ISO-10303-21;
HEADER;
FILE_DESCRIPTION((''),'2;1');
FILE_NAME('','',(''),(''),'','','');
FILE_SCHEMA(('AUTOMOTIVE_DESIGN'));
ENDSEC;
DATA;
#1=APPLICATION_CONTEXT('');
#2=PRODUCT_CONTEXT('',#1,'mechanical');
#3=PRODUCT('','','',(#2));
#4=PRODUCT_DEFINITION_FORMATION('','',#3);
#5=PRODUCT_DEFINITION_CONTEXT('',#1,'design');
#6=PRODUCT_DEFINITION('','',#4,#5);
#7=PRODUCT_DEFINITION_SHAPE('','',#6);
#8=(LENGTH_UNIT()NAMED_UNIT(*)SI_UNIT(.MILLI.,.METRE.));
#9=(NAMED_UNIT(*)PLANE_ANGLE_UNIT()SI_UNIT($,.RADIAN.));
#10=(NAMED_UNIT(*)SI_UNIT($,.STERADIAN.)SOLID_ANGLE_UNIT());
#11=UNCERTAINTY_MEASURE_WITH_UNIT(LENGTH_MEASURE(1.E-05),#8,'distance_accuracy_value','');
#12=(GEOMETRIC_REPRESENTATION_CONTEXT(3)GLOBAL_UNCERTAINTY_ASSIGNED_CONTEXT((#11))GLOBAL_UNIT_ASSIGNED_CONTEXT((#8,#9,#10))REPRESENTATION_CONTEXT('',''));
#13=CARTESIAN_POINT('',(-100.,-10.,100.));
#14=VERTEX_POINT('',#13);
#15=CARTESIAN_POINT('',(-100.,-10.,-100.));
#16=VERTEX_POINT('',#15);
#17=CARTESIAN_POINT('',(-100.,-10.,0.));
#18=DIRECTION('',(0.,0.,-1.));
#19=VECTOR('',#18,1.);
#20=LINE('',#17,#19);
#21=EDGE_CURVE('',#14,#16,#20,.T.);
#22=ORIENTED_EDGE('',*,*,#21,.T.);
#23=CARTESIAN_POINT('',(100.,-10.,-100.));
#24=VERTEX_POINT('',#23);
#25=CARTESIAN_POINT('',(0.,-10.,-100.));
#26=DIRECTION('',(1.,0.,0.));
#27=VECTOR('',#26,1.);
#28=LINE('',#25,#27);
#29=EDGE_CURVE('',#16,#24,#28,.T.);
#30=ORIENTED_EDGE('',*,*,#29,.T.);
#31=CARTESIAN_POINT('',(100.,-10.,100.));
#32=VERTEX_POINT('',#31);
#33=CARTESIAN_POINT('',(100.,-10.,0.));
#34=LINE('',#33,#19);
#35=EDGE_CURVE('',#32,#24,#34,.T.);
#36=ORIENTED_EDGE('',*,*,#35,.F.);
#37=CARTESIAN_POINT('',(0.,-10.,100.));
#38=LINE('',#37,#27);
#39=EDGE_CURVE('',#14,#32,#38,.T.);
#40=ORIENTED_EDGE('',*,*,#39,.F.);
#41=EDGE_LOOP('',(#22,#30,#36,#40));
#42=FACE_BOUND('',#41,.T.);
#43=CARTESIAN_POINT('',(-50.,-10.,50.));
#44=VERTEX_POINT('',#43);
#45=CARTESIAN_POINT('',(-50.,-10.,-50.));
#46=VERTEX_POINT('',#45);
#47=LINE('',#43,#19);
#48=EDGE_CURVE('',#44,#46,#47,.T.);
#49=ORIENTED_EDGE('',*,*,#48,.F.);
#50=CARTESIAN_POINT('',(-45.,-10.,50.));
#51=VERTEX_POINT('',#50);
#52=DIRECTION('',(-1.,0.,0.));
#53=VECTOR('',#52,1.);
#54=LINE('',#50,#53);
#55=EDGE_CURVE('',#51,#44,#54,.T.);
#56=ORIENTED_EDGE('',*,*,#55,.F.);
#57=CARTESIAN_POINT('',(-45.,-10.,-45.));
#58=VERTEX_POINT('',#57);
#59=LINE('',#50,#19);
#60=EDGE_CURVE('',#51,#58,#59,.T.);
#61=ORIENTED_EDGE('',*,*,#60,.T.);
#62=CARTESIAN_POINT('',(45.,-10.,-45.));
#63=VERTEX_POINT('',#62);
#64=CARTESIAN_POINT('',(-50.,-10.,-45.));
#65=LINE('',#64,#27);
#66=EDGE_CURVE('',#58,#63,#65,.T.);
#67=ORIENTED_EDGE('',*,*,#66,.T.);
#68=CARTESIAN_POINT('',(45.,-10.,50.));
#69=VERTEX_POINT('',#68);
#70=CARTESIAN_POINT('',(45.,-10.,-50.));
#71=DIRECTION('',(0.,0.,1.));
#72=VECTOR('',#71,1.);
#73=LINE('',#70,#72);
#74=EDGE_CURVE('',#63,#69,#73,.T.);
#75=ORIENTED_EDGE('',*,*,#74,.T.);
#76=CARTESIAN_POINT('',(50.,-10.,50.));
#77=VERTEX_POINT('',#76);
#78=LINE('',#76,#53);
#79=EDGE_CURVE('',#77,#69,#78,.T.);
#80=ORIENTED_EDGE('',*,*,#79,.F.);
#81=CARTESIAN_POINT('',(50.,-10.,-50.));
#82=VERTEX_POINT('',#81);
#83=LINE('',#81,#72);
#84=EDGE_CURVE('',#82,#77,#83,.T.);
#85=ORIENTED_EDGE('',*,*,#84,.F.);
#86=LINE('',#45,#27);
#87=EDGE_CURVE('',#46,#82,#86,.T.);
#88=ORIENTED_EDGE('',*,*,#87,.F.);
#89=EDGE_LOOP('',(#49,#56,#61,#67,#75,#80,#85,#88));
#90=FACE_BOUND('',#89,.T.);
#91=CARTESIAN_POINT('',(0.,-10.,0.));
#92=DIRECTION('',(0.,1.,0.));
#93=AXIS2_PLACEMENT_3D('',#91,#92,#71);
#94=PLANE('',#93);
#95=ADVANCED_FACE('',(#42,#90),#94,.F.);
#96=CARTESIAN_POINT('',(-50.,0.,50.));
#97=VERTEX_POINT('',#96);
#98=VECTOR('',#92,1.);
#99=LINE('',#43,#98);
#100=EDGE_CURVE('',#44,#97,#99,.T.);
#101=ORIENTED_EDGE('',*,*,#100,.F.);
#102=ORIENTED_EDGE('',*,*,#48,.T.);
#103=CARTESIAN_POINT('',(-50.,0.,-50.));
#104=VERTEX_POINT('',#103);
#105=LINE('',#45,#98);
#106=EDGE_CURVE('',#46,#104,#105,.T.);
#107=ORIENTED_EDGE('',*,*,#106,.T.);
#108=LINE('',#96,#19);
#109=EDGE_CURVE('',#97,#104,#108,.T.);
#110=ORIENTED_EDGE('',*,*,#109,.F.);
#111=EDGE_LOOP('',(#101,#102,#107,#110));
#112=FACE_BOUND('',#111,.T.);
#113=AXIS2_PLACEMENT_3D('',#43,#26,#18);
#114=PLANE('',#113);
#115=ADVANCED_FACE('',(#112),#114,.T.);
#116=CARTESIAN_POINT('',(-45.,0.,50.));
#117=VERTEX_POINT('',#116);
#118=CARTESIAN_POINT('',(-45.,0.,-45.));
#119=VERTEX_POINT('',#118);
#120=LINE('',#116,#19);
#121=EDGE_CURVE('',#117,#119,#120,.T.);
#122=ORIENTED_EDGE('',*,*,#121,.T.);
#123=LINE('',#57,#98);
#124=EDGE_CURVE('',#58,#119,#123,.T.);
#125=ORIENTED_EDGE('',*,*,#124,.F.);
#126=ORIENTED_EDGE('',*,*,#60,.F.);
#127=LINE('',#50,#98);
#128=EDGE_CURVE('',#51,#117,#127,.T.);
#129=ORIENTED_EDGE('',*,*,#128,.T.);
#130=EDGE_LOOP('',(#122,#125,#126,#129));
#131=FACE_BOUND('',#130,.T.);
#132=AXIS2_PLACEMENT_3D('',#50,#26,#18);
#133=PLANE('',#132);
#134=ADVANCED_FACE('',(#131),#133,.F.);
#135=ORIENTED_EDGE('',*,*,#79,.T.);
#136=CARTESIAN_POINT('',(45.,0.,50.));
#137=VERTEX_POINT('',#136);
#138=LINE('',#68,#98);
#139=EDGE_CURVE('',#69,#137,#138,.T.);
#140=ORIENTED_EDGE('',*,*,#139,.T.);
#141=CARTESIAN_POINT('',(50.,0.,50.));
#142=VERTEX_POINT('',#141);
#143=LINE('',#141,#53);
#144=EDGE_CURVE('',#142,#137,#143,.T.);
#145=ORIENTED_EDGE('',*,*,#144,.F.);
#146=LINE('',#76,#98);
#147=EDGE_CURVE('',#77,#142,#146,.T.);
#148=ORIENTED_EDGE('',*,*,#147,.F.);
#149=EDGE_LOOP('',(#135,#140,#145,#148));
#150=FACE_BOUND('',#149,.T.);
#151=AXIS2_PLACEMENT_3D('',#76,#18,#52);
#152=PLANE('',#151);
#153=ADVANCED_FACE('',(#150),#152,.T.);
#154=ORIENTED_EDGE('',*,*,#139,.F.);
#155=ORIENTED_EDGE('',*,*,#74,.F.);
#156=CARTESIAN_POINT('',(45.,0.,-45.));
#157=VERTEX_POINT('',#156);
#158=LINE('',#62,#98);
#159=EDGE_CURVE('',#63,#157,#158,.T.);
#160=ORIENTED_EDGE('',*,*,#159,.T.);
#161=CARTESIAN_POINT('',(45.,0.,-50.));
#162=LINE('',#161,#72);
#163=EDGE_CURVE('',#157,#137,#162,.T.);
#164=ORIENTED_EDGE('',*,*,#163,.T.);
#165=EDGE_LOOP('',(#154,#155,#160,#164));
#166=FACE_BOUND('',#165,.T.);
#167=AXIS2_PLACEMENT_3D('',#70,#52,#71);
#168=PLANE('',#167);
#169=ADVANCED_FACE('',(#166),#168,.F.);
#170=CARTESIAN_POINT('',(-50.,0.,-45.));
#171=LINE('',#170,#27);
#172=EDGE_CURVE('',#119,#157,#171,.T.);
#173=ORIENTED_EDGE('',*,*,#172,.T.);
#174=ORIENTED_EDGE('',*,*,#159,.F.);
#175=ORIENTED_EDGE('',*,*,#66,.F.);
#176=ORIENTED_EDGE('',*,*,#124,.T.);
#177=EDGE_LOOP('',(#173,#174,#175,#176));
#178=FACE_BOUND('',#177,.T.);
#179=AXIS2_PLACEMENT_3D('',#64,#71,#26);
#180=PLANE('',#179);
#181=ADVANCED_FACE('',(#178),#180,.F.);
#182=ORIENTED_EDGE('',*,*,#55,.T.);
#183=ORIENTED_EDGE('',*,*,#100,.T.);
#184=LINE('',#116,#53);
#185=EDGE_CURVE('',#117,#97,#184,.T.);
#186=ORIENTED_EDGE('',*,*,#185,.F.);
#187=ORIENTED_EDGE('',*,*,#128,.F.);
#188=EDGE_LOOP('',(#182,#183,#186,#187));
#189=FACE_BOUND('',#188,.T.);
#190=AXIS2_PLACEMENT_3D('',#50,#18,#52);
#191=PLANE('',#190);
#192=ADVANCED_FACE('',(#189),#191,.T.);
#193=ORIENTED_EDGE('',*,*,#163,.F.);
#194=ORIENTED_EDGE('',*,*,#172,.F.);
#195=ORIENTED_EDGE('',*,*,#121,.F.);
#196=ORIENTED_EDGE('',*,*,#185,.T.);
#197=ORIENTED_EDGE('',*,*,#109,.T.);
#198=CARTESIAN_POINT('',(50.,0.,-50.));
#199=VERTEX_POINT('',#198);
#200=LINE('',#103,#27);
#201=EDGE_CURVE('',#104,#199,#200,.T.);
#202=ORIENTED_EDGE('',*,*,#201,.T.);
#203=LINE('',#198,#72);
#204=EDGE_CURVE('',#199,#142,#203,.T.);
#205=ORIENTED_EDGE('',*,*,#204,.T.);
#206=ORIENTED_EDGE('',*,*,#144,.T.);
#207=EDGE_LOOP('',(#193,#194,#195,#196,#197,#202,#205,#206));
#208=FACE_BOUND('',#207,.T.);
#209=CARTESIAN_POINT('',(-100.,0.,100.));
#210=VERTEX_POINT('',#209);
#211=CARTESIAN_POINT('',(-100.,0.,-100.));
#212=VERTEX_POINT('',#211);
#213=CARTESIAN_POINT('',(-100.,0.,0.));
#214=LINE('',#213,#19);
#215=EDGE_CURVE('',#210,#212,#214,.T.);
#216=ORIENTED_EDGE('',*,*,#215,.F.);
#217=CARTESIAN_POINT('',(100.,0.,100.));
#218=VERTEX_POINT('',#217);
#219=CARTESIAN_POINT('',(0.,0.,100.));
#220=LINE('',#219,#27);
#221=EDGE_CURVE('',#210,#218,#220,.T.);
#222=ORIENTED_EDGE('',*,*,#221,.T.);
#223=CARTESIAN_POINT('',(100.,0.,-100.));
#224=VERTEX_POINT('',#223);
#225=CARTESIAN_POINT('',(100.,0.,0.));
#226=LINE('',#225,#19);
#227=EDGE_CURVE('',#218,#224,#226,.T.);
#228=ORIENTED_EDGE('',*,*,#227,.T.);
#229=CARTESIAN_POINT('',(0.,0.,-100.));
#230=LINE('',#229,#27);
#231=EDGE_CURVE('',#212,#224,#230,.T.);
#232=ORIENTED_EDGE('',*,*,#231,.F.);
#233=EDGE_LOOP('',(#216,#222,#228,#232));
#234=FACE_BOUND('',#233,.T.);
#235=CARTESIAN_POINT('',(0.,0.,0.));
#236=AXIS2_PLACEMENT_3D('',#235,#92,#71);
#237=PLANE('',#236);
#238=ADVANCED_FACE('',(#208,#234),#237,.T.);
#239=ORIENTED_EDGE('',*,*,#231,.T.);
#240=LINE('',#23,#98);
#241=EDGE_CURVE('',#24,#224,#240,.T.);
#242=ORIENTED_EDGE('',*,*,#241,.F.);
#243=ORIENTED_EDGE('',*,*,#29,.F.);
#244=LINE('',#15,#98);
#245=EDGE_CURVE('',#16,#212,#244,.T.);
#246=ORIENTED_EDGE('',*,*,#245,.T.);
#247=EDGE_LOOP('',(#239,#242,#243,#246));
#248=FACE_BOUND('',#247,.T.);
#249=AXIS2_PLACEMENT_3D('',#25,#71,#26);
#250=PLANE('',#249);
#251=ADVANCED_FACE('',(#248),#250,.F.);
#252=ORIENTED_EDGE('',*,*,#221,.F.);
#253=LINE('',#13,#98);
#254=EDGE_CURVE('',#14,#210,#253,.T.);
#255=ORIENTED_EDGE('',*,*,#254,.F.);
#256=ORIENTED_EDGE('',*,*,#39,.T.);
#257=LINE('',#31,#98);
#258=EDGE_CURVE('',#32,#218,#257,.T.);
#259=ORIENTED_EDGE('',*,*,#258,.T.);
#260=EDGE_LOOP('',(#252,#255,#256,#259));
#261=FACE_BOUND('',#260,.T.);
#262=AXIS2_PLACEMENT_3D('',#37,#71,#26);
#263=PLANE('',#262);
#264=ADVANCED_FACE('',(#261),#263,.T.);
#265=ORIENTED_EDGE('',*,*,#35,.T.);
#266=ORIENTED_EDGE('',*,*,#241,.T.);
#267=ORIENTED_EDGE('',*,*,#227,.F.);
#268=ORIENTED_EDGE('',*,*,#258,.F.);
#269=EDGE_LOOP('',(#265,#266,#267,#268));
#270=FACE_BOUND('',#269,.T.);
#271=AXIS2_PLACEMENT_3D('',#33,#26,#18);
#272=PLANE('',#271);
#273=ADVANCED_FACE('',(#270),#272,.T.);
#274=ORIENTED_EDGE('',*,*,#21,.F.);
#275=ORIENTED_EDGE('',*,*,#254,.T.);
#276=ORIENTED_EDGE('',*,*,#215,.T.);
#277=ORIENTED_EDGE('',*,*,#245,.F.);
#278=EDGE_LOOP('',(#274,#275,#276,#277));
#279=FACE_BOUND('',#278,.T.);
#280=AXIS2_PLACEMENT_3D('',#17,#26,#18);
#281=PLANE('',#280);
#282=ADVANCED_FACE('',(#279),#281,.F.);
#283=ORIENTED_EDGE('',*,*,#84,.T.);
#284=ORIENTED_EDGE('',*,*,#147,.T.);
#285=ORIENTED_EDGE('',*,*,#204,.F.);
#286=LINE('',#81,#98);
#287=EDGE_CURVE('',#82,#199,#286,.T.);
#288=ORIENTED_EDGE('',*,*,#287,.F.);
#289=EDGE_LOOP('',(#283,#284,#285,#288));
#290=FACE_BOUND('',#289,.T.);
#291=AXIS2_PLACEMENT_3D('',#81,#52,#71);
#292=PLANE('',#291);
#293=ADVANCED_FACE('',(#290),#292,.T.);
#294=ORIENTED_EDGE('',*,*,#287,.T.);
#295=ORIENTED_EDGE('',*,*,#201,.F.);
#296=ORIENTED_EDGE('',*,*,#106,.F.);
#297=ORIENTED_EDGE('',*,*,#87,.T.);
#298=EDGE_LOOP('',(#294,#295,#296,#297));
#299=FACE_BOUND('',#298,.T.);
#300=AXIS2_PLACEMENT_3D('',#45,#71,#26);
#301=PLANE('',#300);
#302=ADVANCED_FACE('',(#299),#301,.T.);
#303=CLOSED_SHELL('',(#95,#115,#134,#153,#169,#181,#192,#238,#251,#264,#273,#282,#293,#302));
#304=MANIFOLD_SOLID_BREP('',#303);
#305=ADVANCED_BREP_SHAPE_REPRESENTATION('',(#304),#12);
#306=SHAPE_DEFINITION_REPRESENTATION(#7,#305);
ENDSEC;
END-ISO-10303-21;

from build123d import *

# Parameters (mm, degrees)
SKETCH_1_W          = 200
SKETCH_1_H          = 200
EXTRUDE_1_DEPTH     = 10
CUT_EXTRUDE_1_DEPTH = 10


with BuildPart() as part:
    # 草圖1 → 填料-伸長1 (new body)
    with BuildSketch(Plane(origin=(0, 0, 0), x_dir=(1, 0, 0), z_dir=(0, 1, 0))):
        Rectangle(SKETCH_1_W, SKETCH_1_H)
    extrude(amount=-EXTRUDE_1_DEPTH)

    # 草圖1<3> → 除料-伸長-薄件1 (cut)
    with BuildSketch(Plane(origin=(0, 0, 0), x_dir=(1, 0, 0), z_dir=(0, 1, 0))):
        Polygon((-50, -50), (-50, 50), (50, 50), (50, -50), (45, -50), (45, 45), (-45, 45), (-45, -50), align=None)
    extrude(amount=-CUT_EXTRUDE_1_DEPTH, mode=Mode.SUBTRACT)


solid = part.part
